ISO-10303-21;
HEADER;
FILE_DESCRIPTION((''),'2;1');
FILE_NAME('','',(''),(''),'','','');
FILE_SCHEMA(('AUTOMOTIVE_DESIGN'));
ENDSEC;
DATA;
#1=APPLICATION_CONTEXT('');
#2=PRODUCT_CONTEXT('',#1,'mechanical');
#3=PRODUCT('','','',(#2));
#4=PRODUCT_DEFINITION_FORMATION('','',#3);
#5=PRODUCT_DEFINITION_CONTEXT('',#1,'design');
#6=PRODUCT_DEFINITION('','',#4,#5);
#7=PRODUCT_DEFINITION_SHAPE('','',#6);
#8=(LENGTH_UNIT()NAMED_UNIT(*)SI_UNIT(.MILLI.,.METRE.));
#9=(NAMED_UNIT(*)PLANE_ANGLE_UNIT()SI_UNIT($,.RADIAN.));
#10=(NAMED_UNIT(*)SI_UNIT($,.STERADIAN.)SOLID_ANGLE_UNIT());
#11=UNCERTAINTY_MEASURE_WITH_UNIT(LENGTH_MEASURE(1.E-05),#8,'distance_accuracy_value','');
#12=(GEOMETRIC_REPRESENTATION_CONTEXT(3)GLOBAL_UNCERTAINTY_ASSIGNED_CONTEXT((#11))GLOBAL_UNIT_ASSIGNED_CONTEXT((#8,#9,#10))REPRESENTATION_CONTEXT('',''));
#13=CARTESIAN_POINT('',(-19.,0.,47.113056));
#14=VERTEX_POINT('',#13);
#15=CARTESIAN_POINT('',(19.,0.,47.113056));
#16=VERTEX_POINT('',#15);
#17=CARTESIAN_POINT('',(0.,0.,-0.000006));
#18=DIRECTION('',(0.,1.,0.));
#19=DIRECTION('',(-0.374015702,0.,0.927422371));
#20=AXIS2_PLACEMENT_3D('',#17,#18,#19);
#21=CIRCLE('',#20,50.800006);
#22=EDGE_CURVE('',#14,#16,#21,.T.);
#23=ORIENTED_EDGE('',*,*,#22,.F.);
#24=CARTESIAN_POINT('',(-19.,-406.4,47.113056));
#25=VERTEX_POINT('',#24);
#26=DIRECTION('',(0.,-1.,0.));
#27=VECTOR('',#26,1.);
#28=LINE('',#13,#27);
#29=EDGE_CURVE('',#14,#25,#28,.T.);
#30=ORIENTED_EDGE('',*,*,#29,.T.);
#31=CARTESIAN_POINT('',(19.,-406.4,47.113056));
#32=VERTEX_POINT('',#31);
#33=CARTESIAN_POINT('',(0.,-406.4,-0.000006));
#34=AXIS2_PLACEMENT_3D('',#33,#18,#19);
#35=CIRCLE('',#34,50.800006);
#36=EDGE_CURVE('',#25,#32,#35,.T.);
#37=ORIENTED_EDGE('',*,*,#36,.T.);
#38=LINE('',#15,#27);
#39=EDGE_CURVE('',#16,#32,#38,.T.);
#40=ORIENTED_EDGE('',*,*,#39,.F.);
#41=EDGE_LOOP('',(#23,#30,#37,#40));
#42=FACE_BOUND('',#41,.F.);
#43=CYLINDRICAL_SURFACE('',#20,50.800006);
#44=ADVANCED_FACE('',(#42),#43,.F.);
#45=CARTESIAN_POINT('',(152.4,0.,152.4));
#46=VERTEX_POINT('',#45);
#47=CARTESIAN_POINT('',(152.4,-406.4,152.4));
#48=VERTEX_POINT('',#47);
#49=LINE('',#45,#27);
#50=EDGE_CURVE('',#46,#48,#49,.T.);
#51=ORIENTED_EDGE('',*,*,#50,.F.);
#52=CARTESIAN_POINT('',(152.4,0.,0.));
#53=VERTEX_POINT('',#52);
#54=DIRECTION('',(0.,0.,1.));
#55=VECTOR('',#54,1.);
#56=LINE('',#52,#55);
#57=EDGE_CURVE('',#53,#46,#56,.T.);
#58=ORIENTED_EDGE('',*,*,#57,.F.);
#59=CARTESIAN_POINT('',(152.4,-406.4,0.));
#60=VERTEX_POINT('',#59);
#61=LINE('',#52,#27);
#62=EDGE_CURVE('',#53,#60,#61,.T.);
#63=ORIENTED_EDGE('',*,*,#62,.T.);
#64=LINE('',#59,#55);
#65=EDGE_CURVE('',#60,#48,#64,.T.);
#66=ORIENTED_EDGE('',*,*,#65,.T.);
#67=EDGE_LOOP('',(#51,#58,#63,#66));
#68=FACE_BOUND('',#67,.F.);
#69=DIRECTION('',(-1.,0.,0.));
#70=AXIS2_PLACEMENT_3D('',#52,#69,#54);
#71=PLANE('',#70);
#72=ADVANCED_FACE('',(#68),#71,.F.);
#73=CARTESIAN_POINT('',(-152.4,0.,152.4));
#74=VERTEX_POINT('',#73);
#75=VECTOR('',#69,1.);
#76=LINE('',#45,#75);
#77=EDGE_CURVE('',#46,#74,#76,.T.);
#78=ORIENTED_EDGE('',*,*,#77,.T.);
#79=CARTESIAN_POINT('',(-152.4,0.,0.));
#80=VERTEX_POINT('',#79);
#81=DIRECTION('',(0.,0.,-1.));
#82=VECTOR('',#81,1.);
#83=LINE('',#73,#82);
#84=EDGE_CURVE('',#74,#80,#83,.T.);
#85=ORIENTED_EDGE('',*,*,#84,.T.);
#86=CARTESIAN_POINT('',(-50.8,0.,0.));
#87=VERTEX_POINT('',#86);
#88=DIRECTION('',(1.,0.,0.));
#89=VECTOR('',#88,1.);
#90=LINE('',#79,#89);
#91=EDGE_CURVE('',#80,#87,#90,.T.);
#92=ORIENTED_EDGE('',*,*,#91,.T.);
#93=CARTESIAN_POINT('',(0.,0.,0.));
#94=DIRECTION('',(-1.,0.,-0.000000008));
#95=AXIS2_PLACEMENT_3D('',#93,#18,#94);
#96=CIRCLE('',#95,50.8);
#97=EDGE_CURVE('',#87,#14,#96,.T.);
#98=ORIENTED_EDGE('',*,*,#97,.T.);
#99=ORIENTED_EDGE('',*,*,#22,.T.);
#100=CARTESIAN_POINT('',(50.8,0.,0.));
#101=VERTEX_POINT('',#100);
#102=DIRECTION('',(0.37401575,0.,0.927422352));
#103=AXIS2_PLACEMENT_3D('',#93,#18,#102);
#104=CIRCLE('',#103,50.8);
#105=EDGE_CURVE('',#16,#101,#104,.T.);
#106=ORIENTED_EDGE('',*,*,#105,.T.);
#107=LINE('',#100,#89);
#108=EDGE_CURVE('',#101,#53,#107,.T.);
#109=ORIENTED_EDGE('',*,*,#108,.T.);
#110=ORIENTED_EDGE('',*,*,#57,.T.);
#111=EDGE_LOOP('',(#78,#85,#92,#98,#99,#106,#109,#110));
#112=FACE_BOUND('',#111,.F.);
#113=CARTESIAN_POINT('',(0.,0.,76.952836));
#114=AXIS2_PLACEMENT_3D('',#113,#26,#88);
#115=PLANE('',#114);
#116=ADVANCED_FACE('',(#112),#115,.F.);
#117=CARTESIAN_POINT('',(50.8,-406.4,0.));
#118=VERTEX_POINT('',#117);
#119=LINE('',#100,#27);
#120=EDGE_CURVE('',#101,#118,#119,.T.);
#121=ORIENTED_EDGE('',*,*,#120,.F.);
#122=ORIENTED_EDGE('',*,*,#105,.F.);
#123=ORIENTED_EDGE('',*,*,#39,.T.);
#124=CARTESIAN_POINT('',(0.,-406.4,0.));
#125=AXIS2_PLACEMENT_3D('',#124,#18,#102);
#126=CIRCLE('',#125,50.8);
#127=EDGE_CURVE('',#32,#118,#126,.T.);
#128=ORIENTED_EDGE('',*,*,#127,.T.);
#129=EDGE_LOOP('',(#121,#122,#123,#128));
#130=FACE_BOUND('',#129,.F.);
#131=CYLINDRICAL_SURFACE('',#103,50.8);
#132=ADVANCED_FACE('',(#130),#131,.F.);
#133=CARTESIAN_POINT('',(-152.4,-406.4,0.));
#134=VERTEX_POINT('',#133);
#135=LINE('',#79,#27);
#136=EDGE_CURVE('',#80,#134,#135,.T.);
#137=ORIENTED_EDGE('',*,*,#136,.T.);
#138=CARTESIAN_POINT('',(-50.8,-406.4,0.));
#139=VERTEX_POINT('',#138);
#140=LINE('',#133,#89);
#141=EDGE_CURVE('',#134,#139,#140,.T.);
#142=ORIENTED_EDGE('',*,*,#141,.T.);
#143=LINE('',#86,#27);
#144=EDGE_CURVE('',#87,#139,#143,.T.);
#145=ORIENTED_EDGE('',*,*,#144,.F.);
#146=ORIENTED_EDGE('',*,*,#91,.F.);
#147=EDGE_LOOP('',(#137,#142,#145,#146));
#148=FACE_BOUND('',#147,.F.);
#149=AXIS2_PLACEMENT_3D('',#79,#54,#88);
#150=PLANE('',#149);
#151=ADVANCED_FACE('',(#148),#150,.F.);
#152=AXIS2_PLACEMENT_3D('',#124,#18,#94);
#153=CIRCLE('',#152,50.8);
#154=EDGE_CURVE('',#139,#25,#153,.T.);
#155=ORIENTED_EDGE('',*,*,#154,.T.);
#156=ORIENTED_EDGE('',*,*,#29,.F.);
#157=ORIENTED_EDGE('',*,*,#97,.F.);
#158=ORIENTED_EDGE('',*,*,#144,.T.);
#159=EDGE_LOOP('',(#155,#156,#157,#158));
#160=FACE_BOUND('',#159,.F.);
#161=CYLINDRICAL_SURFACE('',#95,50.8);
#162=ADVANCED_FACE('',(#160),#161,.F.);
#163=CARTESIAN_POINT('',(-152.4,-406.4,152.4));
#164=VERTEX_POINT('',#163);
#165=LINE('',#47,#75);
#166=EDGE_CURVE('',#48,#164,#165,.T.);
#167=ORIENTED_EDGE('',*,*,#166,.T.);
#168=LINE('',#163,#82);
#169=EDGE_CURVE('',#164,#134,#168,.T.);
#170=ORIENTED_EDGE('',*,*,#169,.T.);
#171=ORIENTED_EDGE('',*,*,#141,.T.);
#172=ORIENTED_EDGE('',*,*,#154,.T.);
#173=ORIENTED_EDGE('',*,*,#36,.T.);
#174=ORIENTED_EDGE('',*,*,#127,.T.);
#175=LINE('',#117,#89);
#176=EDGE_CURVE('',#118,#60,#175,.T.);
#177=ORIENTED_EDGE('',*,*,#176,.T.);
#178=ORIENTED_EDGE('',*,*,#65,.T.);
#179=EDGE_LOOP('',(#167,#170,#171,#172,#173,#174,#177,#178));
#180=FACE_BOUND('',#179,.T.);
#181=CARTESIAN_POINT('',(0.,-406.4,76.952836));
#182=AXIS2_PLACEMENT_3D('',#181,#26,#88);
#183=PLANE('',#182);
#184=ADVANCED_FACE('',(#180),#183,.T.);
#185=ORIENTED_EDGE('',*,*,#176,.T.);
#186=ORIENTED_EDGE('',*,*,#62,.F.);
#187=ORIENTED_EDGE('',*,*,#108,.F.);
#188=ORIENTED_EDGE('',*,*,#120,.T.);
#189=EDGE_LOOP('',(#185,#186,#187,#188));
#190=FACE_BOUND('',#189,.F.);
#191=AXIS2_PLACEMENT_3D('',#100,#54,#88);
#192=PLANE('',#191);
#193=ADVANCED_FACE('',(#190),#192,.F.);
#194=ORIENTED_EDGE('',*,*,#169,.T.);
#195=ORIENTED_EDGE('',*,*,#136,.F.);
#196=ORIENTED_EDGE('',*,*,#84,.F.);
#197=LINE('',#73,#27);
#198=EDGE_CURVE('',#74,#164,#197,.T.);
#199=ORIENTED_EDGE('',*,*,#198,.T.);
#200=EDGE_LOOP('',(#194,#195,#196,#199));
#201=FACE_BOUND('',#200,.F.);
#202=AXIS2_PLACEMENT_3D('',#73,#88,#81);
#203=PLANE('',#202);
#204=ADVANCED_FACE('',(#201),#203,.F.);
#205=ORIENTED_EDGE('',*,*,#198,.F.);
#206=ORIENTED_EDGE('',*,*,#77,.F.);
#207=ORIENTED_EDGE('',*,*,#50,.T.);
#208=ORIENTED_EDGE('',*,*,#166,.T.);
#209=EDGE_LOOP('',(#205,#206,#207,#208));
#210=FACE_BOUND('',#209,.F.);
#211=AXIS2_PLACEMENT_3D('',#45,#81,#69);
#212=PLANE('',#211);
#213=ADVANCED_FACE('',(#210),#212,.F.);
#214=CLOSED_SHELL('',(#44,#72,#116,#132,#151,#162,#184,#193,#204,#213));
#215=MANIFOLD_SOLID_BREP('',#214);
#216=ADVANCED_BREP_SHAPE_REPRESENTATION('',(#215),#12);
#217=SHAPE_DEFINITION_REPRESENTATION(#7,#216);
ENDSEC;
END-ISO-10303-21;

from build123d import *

# Parameters (mm, degrees)
F1_DEPTH = 406.4


with BuildPart() as f1:
    # F0 (on Front) → F1 (new body)
    with BuildSketch(Plane.XZ):
        with BuildLine():
            ThreePointArc((19, 47.113056), (42.106057, 28.420415), (50.8, 0))
            Line((50.8, 0), (152.4, 0))
            Line((152.4, 0), (152.4, 152.4))
            Line((152.4, 152.4), (-152.4, 152.4))
            Line((-152.4, 152.4), (-152.4, 0))
            Line((-152.4, 0), (-50.8, 0))
            ThreePointArc((-50.8, 0), (-42.106057, 28.420415), (-19, 47.113056))
            ThreePointArc((-19, 47.113056), (0, 50.8), (19, 47.113056))
        make_face()
    extrude(amount=F1_DEPTH)


solid = f1.part
